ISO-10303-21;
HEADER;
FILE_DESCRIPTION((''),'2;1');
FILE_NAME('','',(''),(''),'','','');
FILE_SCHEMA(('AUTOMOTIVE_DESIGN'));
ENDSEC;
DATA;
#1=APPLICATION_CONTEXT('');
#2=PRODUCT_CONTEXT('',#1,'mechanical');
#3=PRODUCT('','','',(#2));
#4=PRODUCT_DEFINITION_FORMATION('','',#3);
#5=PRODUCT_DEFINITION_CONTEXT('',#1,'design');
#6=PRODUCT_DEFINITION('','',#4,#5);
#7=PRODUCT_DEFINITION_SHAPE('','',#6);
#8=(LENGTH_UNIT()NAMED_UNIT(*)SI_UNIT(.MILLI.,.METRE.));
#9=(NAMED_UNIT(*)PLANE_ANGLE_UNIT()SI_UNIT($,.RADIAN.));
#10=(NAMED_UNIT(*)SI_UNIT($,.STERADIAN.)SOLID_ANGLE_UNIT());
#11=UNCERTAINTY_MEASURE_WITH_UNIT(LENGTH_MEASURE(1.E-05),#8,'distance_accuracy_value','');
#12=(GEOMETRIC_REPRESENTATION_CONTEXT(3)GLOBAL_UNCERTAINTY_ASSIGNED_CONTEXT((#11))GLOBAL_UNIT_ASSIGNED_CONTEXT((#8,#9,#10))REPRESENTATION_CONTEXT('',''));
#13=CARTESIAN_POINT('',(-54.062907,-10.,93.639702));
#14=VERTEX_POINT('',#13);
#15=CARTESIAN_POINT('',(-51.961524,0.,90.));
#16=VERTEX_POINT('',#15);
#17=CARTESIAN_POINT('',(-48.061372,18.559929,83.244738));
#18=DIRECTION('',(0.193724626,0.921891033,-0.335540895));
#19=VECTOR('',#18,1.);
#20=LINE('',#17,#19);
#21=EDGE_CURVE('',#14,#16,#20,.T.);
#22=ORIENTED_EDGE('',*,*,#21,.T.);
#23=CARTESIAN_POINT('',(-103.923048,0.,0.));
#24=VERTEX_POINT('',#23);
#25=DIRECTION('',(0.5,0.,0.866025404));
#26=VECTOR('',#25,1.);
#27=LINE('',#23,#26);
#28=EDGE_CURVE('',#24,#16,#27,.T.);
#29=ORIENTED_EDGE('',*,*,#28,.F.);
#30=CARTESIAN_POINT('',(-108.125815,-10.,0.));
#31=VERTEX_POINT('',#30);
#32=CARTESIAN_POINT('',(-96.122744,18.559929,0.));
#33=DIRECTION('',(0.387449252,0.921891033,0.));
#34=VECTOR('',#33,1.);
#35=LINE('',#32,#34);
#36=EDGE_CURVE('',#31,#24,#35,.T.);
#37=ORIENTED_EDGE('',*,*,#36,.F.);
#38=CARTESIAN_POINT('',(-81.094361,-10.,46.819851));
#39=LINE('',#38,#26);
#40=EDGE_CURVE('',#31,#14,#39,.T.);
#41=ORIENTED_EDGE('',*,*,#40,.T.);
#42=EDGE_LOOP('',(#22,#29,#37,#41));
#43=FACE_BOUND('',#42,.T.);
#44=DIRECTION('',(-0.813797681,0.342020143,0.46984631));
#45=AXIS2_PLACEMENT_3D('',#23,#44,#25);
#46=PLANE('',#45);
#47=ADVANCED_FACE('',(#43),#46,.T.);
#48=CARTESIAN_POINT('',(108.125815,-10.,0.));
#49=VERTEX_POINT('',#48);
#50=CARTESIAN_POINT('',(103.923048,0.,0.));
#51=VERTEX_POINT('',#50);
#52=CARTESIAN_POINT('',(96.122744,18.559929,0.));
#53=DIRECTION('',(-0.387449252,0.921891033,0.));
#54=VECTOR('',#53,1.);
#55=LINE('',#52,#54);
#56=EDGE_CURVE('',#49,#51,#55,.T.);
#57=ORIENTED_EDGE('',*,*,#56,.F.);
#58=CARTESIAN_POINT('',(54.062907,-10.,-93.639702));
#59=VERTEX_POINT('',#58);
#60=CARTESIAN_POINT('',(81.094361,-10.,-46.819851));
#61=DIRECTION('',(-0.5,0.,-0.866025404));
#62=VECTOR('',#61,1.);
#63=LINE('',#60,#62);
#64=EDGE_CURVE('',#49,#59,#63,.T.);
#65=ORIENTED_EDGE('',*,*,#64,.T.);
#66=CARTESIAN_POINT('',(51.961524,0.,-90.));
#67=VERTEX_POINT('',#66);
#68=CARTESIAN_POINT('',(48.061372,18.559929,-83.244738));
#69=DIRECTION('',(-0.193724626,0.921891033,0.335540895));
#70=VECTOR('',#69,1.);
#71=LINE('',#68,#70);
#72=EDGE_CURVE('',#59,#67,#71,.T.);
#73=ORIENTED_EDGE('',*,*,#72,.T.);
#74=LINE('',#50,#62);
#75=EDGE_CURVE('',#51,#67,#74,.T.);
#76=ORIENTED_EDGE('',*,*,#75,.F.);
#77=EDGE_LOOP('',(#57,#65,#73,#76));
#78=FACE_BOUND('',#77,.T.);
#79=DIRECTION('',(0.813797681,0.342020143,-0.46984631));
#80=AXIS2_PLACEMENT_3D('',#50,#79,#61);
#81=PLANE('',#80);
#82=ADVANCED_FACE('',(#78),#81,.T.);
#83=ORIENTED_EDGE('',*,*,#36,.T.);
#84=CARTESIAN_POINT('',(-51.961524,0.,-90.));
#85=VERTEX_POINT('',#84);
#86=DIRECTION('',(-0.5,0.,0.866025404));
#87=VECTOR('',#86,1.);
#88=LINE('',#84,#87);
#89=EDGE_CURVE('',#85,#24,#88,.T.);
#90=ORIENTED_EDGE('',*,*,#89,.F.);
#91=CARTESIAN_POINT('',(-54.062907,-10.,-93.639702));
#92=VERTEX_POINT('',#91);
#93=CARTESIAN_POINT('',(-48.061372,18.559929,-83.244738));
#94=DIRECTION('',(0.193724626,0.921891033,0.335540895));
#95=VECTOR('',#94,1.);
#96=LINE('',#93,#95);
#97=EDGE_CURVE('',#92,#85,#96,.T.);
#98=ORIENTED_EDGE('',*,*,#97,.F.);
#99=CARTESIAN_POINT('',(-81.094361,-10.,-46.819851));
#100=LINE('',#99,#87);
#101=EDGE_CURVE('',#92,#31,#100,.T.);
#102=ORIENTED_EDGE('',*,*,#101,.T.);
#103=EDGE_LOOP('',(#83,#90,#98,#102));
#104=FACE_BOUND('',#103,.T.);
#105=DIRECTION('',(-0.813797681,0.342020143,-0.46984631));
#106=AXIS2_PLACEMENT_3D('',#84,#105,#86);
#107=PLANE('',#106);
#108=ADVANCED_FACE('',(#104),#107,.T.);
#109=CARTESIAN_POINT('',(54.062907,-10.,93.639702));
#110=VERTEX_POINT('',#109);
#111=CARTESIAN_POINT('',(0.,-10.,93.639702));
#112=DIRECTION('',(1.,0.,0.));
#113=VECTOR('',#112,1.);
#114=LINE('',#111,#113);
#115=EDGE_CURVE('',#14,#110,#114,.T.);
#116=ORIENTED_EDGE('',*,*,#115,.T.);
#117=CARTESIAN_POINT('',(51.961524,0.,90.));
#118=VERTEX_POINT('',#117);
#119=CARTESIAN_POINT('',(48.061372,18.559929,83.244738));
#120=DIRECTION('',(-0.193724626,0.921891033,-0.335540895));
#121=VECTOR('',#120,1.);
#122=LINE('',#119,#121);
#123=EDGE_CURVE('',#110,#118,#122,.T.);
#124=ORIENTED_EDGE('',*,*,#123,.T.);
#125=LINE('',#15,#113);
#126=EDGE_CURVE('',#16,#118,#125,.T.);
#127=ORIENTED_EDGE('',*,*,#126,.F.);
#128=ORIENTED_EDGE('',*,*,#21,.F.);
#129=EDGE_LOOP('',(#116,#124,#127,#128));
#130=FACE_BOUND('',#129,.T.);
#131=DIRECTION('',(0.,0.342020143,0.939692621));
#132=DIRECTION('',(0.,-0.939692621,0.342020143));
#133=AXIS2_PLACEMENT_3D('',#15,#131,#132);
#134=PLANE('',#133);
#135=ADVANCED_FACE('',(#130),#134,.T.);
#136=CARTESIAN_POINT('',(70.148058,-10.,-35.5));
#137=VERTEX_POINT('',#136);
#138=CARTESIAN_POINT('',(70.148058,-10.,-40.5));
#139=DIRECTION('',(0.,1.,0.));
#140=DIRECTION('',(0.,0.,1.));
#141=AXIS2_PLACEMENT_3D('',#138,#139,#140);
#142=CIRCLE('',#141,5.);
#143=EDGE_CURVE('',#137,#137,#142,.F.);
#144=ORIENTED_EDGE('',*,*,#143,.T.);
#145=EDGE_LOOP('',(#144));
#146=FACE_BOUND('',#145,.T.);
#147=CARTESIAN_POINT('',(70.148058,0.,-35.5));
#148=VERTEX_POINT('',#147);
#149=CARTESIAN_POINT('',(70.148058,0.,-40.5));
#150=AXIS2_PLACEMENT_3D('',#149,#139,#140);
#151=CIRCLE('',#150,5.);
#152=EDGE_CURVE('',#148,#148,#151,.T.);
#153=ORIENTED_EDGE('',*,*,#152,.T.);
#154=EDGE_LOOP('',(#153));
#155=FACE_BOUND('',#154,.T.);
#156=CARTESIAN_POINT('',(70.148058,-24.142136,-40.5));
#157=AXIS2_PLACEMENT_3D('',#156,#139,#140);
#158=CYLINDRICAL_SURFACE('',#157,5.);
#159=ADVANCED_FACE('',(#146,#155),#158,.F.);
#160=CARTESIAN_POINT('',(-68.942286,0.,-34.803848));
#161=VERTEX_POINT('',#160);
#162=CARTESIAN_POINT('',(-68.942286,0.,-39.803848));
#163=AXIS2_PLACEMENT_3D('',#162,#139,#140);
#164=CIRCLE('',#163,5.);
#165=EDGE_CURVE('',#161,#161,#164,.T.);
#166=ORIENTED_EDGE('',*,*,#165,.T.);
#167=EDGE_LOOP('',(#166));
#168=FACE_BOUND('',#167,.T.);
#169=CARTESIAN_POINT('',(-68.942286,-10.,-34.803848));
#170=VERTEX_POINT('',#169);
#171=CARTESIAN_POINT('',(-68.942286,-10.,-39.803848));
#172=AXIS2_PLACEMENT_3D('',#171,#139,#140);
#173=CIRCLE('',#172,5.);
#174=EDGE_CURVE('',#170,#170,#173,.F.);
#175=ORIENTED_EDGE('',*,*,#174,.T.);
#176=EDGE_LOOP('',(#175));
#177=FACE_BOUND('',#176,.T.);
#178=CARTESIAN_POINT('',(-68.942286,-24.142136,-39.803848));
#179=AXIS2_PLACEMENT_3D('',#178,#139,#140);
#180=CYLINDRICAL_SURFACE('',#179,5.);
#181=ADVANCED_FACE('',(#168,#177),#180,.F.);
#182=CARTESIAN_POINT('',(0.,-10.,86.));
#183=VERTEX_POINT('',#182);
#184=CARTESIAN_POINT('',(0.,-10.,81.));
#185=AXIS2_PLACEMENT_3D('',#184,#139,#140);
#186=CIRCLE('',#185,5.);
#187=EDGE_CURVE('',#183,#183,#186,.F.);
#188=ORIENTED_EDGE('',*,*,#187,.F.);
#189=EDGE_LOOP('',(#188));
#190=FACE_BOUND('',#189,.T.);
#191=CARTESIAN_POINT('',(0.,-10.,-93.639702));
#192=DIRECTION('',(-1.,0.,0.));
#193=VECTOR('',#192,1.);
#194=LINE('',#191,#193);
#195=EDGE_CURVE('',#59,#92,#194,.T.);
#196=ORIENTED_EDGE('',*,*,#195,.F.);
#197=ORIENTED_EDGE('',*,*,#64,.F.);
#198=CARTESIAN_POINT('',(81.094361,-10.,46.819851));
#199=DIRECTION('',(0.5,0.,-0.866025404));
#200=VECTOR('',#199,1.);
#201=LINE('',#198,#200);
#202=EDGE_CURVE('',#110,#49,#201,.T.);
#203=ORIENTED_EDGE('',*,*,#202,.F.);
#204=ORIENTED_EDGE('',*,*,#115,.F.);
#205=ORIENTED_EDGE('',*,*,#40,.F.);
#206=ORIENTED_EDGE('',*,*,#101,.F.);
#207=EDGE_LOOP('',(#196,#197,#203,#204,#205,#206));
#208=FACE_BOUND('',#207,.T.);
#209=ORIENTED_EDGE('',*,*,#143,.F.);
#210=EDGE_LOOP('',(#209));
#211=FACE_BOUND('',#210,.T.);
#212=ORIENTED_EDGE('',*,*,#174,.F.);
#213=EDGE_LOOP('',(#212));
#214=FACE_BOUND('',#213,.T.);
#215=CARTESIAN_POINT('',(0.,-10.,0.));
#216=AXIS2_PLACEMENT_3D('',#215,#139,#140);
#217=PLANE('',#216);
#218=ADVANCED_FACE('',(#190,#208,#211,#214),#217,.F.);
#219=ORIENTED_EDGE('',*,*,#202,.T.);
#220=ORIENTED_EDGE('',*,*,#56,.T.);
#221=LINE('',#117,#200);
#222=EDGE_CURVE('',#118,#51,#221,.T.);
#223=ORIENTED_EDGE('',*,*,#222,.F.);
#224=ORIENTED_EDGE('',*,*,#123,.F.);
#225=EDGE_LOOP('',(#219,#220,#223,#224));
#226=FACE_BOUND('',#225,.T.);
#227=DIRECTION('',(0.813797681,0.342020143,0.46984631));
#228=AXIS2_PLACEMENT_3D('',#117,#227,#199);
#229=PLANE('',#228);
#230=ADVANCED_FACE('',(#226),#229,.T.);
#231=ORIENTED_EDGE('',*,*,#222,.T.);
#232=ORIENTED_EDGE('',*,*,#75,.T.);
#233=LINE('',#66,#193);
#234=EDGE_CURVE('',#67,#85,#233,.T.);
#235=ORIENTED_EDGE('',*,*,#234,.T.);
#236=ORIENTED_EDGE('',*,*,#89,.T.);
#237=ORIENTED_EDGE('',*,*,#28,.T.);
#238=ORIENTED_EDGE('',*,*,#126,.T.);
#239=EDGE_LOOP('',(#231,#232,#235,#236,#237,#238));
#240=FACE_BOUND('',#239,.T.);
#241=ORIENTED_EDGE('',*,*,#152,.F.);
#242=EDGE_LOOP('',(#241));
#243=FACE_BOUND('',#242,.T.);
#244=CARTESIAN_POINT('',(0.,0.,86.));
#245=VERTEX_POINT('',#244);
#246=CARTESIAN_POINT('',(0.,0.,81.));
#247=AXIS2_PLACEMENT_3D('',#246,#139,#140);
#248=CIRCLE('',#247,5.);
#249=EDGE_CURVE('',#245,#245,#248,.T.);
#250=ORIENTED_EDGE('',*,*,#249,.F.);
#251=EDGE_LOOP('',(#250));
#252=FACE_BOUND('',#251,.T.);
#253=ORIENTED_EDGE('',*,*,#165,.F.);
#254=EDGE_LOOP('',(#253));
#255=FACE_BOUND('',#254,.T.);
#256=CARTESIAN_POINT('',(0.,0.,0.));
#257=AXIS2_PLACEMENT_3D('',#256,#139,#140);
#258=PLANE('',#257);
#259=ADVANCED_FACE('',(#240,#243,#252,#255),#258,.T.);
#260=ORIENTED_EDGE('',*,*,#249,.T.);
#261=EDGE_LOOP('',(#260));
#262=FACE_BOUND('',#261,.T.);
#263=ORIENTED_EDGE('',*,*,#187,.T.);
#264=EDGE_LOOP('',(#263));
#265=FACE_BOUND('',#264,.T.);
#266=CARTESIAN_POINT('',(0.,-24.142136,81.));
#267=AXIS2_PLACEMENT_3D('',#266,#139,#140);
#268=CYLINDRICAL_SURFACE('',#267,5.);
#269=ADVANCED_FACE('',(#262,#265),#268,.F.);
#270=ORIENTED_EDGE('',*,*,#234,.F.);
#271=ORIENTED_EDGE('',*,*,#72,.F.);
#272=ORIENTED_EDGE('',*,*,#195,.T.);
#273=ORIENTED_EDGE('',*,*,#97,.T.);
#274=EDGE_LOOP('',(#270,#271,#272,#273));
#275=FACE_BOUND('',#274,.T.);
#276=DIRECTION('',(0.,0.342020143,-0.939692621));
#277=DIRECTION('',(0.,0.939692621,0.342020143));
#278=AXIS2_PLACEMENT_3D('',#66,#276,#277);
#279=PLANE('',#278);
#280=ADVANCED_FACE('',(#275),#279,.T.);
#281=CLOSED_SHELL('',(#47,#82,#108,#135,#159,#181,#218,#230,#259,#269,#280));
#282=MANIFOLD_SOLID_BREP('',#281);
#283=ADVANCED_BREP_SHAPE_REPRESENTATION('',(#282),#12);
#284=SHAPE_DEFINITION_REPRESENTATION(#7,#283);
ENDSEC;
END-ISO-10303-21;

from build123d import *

# Parameters (mm, degrees)
BOSS_EXTRUDE1_DEPTH = 10
BOSS_EXTRUDE1_TAPER = -20
SKETCH1_4_R         = 5
CUT_EXTRUDE1_DEPTH  = 10


with BuildPart() as part:
    # Sketch1 → Boss-Extrude1 (new body)
    with BuildSketch(Plane(origin=(0, 0, 0), x_dir=(1, 0, 0), z_dir=(0, 1, 0))):
        Polygon((103.923048454, 0), (51.961524227, 90), (-51.961524227, 90), (-103.923048454, 0), (-51.961524227, -90), (51.961524227, -90), align=None)
    extrude(amount=-BOSS_EXTRUDE1_DEPTH, taper=BOSS_EXTRUDE1_TAPER)

    # Sketch1<4> → Cut-Extrude1 (cut)
    with BuildSketch(Plane(origin=(0, 0, 0), x_dir=(1, 0, 0), z_dir=(0, 1, 0))):
        with Locations((0, -81)):
            Circle(SKETCH1_4_R)
        with Locations((70.148057707, 40.5)):
            Circle(SKETCH1_4_R)
        with Locations((-68.942286341, 39.803847577)):
            Circle(SKETCH1_4_R)
    extrude(amount=-CUT_EXTRUDE1_DEPTH, mode=Mode.SUBTRACT)


solid = part.part
